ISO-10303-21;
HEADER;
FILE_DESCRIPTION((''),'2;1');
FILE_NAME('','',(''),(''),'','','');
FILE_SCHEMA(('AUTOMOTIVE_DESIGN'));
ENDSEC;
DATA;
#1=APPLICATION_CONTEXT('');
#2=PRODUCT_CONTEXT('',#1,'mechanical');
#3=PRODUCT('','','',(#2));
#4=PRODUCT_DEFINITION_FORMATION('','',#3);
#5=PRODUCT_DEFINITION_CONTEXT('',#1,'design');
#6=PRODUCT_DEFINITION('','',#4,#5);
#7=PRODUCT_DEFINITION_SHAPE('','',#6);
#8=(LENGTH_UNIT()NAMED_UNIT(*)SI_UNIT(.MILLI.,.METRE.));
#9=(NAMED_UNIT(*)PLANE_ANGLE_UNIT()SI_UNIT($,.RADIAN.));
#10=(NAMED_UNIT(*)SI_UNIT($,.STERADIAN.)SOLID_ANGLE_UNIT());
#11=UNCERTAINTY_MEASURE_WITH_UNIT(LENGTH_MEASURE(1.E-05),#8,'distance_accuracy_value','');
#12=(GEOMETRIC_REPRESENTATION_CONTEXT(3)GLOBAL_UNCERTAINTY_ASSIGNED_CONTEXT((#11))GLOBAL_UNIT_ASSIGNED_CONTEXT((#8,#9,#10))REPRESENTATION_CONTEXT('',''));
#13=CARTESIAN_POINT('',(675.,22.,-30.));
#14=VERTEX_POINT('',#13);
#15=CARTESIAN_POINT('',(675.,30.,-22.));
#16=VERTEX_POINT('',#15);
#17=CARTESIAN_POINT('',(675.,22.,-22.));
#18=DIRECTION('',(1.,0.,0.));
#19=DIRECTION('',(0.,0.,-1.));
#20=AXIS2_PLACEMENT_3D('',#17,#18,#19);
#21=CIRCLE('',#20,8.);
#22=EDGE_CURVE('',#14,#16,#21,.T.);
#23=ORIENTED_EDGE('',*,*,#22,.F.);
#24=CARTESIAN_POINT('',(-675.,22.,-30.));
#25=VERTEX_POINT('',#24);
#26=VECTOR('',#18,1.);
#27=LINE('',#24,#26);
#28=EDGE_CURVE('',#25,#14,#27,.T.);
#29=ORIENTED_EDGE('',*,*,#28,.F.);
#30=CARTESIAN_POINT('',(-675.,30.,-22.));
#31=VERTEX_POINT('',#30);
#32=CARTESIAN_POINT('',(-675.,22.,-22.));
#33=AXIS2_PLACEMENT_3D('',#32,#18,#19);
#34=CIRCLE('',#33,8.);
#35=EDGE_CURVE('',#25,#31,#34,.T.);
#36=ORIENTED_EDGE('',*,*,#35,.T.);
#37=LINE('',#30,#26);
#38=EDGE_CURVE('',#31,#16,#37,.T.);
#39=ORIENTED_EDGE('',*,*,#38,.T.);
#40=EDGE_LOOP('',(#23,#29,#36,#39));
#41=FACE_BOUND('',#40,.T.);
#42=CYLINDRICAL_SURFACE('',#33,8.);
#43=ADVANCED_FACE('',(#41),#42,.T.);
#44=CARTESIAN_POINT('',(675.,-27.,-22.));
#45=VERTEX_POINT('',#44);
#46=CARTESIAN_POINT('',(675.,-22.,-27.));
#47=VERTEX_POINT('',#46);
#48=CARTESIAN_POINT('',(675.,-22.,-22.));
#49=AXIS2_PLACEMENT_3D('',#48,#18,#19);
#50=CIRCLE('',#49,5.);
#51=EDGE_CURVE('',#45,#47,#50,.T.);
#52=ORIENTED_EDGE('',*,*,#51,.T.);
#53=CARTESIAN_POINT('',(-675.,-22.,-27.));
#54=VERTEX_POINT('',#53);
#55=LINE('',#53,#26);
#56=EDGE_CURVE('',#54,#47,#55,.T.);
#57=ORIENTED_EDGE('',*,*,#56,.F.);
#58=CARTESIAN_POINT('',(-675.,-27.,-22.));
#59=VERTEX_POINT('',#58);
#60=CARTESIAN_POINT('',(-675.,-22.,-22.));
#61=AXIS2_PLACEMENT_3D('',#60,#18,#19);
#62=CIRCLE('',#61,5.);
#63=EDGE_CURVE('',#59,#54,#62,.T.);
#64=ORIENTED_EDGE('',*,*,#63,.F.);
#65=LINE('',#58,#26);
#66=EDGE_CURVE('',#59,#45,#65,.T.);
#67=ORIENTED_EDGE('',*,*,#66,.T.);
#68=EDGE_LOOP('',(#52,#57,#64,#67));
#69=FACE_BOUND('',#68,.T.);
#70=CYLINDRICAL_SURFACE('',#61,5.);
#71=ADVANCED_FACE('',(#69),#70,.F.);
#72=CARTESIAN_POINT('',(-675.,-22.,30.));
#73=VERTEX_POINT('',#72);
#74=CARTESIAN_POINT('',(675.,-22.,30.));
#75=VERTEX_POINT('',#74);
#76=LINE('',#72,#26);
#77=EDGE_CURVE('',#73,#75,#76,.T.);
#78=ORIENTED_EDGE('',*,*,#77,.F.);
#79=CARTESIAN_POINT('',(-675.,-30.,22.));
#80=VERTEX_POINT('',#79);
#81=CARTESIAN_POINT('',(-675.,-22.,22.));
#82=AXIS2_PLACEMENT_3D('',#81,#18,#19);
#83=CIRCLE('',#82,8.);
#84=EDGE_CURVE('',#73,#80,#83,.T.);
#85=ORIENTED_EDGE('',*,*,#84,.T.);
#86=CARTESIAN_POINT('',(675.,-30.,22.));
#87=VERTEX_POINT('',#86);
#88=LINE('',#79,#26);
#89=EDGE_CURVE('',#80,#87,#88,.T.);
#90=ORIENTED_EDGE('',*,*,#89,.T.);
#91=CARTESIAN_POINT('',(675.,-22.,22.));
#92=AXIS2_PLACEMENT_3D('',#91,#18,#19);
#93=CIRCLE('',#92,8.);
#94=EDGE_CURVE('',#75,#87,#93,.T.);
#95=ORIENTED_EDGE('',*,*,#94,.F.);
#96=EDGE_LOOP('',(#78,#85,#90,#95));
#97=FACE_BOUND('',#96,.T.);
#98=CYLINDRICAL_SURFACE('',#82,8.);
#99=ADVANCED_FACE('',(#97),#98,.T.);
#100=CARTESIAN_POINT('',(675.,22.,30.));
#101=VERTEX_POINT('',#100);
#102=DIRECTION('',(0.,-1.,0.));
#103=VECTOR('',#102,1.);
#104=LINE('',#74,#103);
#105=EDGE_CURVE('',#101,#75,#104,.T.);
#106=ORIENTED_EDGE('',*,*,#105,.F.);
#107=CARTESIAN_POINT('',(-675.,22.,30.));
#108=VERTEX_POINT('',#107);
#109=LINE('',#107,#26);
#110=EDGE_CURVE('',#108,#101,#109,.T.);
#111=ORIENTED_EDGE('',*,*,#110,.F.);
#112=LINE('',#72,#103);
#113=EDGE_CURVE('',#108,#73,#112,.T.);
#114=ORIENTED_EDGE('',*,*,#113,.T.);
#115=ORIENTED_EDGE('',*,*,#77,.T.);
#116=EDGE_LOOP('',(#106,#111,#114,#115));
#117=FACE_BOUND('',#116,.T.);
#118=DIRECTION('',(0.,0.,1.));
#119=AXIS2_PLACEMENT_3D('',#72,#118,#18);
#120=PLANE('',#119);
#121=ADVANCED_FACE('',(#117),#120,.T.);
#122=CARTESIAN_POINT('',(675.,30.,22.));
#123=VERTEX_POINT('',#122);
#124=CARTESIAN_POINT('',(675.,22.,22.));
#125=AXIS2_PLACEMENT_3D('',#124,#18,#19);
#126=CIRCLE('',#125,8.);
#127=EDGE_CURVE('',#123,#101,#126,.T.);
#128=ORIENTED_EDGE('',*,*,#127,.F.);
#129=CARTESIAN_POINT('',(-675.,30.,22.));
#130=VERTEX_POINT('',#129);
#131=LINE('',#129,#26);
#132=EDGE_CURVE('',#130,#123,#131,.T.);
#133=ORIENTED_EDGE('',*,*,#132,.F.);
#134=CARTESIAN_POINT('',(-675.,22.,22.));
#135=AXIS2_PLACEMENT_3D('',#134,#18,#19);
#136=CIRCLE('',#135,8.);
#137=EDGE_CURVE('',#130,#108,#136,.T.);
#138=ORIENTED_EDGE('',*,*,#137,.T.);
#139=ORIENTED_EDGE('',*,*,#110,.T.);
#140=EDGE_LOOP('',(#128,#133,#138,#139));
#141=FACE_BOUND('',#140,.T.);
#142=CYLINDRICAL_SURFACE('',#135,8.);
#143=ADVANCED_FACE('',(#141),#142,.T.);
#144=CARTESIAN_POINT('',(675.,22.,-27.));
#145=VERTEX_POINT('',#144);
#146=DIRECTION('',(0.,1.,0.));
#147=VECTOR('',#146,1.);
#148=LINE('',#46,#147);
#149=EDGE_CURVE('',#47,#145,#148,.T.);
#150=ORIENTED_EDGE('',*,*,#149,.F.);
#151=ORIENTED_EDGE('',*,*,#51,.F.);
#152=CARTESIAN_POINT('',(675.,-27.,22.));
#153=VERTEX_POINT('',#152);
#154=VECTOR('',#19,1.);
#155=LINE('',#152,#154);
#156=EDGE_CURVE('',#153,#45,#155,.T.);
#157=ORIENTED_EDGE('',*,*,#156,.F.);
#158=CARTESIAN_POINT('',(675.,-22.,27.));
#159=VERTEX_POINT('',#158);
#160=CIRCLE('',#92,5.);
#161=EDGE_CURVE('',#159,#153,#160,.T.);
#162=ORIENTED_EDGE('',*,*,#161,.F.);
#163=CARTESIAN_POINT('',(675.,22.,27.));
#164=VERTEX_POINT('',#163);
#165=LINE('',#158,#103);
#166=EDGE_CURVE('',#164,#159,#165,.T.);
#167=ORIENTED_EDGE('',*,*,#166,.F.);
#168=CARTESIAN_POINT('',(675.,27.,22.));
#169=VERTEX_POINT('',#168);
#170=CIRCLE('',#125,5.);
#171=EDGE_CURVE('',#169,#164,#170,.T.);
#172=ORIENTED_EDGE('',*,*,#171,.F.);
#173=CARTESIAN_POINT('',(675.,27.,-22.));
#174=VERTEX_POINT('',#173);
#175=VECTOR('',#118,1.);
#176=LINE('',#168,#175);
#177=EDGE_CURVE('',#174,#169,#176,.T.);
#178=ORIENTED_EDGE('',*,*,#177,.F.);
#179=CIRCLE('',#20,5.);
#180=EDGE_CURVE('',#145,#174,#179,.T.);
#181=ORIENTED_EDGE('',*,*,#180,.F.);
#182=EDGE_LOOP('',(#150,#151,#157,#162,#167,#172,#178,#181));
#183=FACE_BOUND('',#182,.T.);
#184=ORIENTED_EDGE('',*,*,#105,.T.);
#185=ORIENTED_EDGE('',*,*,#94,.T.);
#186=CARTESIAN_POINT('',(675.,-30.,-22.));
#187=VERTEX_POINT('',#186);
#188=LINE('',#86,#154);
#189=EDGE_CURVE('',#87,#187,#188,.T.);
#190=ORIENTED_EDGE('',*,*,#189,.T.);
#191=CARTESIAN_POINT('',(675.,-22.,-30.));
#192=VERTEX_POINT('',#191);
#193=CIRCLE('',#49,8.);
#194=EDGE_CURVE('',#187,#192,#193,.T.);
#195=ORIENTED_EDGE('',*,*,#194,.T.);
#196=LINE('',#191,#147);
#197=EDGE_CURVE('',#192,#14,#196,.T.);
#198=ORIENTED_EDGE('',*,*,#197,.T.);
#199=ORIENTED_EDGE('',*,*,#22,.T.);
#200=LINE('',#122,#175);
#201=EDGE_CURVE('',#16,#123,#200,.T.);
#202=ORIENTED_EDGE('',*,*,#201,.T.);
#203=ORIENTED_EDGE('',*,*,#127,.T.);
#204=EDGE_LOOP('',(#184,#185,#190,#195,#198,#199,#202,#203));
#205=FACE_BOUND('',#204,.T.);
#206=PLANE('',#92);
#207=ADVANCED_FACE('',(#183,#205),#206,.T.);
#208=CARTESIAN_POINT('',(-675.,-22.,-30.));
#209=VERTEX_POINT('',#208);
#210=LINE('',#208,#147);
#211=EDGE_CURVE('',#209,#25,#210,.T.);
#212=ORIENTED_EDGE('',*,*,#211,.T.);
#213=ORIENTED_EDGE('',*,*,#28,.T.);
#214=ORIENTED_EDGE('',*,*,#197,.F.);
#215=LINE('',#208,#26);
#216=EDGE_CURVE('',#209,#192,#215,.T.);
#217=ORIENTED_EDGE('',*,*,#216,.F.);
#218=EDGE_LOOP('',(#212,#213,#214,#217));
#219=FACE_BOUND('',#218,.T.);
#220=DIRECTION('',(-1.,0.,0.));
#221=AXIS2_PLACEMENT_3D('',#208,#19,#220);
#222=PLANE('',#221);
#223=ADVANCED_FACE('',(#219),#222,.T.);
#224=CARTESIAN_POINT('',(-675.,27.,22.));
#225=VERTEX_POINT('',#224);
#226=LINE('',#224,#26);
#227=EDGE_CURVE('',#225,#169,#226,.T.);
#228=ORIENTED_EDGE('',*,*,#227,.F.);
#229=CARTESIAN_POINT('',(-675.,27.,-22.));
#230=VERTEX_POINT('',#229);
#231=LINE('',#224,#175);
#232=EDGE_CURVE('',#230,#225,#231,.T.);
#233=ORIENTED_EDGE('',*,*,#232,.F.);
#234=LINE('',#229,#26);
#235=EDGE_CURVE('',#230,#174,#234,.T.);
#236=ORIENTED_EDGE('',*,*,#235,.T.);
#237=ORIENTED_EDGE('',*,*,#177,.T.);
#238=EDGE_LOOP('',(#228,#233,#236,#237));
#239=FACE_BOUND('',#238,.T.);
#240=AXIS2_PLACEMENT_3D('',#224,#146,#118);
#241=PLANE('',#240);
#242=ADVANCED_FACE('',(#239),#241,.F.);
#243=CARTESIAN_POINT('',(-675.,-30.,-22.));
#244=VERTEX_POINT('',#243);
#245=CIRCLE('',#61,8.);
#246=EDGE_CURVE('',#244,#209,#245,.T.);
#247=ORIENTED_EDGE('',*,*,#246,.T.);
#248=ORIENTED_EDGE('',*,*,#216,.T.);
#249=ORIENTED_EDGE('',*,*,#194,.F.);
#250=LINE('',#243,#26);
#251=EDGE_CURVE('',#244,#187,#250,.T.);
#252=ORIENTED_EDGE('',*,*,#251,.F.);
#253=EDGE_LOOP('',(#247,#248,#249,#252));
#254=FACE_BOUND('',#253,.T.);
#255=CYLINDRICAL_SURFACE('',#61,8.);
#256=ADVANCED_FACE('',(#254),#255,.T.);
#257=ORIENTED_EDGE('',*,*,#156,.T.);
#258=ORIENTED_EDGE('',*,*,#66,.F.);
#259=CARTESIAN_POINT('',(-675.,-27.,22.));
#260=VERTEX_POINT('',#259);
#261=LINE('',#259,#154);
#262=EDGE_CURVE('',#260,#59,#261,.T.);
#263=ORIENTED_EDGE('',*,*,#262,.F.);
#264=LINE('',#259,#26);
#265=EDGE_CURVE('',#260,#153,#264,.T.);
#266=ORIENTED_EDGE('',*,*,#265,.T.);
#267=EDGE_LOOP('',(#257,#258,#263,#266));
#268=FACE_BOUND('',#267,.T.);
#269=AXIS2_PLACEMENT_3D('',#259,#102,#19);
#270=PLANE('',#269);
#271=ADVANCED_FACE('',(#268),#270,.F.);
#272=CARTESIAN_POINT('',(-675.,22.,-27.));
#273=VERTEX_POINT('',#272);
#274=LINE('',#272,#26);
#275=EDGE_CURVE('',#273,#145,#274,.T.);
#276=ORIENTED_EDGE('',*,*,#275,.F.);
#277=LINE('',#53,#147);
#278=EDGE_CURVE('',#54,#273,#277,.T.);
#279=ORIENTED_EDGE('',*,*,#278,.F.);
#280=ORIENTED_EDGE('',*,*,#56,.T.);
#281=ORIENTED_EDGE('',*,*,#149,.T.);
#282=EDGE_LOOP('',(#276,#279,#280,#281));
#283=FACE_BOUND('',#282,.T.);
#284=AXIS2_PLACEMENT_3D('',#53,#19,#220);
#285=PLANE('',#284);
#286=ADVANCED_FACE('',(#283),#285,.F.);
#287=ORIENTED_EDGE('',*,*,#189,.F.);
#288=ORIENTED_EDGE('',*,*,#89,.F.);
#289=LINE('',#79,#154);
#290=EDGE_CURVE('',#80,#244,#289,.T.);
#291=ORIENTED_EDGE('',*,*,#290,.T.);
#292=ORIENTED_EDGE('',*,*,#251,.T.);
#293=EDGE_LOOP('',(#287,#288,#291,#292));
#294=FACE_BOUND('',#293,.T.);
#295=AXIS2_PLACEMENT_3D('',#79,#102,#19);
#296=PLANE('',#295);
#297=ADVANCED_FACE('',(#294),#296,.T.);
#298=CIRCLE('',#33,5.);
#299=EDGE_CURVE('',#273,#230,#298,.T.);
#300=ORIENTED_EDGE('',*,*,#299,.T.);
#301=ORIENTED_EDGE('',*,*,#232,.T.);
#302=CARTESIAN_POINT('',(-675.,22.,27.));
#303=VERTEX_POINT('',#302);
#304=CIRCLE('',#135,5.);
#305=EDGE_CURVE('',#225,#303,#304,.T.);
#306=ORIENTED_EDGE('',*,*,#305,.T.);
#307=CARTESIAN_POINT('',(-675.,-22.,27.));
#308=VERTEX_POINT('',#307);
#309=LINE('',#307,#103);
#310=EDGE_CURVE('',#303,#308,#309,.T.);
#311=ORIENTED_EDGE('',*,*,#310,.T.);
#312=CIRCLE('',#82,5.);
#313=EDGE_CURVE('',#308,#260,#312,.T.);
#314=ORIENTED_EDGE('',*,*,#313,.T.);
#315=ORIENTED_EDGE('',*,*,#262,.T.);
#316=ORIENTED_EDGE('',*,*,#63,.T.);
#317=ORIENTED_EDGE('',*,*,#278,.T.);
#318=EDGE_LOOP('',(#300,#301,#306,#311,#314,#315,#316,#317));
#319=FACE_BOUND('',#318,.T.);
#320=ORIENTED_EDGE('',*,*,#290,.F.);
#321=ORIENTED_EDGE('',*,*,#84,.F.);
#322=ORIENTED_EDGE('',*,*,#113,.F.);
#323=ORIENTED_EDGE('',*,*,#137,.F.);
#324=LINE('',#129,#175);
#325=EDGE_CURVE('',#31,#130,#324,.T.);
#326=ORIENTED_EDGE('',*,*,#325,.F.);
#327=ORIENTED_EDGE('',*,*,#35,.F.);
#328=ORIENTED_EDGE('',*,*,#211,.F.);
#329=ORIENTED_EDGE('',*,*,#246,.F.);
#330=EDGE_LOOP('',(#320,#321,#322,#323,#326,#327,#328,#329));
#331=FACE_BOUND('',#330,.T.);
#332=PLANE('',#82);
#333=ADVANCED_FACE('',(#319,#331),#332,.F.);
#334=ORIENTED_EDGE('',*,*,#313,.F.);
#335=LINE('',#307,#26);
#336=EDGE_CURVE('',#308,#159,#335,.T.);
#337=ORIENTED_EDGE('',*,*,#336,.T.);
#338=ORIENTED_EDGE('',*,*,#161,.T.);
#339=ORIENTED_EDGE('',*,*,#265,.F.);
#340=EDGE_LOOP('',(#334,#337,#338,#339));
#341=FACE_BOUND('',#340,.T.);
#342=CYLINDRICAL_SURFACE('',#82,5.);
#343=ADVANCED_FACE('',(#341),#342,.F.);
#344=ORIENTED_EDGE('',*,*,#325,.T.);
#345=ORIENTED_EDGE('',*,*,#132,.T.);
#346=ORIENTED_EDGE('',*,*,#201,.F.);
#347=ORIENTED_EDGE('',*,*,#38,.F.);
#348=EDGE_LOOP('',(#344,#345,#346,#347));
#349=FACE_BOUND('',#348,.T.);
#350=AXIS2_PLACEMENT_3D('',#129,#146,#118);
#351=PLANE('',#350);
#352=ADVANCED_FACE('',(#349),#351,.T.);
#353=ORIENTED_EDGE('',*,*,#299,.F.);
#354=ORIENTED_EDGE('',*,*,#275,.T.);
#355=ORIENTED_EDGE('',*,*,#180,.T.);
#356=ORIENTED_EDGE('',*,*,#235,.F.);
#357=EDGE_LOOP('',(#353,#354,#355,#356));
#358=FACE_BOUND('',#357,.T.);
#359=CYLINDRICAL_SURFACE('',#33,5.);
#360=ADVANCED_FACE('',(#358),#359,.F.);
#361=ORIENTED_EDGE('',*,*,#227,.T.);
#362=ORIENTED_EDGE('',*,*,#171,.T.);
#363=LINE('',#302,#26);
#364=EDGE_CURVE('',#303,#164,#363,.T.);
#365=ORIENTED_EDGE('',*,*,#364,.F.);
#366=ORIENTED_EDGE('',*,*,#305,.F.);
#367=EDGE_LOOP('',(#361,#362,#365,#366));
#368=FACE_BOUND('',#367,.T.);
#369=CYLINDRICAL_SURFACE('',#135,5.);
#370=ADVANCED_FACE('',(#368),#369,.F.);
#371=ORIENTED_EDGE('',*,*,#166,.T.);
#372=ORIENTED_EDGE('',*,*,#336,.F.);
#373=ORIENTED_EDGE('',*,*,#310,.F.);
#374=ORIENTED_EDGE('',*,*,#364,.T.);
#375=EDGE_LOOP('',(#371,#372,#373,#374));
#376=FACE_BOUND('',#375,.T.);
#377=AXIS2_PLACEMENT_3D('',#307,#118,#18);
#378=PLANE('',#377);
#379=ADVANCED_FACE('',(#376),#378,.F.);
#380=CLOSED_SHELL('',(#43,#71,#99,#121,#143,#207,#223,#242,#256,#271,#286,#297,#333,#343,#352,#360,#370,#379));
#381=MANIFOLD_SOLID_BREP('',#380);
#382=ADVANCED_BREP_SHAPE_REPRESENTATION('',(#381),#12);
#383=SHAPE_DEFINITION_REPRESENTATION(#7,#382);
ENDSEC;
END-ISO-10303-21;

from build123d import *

# Parameters (mm, degrees)
EXTRUDE_THIN1_DEPTH      = 675
EXTRUDE_THIN1_DEPTH_BACK = 675


with BuildPart() as part:
    # Sketch1 → Extrude-Thin1 (new, two sides: drawn at the far end of the back side and taken through both)
    with BuildSketch(Plane(origin=(0, 0, 0), x_dir=(0, 0, -1), z_dir=(1, 0, 0)).offset(-EXTRUDE_THIN1_DEPTH_BACK)):
        with BuildLine():
            Line((-30, 22), (-30, -22))
            ThreePointArc((-30, -22), (-27.656854249, -27.656854249), (-22, -30))
            Line((-22, -30), (22, -30))
            ThreePointArc((22, -30), (27.656854249, -27.656854249), (30, -22))
            Line((30, -22), (30, 22))
            ThreePointArc((30, 22), (27.656854249, 27.656854249), (22, 30))
            Line((22, 30), (-22, 30))
            ThreePointArc((-22, 30), (-27.656854249, 27.656854249), (-30, 22))
        make_face()
        with BuildLine():
            Line((-27, 22), (-27, -22))
            ThreePointArc((-27, -22), (-25.535533906, -25.535533906), (-22, -27))
            Line((-22, -27), (22, -27))
            ThreePointArc((22, -27), (25.535533906, -25.535533906), (27, -22))
            Line((27, -22), (27, 22))
            ThreePointArc((27, 22), (25.535533906, 25.535533906), (22, 27))
            Line((22, 27), (-22, 27))
            ThreePointArc((-22, 27), (-25.535533906, 25.535533906), (-27, 22))
        make_face(mode=Mode.SUBTRACT)
    extrude(amount=EXTRUDE_THIN1_DEPTH + EXTRUDE_THIN1_DEPTH_BACK)


solid = part.part
